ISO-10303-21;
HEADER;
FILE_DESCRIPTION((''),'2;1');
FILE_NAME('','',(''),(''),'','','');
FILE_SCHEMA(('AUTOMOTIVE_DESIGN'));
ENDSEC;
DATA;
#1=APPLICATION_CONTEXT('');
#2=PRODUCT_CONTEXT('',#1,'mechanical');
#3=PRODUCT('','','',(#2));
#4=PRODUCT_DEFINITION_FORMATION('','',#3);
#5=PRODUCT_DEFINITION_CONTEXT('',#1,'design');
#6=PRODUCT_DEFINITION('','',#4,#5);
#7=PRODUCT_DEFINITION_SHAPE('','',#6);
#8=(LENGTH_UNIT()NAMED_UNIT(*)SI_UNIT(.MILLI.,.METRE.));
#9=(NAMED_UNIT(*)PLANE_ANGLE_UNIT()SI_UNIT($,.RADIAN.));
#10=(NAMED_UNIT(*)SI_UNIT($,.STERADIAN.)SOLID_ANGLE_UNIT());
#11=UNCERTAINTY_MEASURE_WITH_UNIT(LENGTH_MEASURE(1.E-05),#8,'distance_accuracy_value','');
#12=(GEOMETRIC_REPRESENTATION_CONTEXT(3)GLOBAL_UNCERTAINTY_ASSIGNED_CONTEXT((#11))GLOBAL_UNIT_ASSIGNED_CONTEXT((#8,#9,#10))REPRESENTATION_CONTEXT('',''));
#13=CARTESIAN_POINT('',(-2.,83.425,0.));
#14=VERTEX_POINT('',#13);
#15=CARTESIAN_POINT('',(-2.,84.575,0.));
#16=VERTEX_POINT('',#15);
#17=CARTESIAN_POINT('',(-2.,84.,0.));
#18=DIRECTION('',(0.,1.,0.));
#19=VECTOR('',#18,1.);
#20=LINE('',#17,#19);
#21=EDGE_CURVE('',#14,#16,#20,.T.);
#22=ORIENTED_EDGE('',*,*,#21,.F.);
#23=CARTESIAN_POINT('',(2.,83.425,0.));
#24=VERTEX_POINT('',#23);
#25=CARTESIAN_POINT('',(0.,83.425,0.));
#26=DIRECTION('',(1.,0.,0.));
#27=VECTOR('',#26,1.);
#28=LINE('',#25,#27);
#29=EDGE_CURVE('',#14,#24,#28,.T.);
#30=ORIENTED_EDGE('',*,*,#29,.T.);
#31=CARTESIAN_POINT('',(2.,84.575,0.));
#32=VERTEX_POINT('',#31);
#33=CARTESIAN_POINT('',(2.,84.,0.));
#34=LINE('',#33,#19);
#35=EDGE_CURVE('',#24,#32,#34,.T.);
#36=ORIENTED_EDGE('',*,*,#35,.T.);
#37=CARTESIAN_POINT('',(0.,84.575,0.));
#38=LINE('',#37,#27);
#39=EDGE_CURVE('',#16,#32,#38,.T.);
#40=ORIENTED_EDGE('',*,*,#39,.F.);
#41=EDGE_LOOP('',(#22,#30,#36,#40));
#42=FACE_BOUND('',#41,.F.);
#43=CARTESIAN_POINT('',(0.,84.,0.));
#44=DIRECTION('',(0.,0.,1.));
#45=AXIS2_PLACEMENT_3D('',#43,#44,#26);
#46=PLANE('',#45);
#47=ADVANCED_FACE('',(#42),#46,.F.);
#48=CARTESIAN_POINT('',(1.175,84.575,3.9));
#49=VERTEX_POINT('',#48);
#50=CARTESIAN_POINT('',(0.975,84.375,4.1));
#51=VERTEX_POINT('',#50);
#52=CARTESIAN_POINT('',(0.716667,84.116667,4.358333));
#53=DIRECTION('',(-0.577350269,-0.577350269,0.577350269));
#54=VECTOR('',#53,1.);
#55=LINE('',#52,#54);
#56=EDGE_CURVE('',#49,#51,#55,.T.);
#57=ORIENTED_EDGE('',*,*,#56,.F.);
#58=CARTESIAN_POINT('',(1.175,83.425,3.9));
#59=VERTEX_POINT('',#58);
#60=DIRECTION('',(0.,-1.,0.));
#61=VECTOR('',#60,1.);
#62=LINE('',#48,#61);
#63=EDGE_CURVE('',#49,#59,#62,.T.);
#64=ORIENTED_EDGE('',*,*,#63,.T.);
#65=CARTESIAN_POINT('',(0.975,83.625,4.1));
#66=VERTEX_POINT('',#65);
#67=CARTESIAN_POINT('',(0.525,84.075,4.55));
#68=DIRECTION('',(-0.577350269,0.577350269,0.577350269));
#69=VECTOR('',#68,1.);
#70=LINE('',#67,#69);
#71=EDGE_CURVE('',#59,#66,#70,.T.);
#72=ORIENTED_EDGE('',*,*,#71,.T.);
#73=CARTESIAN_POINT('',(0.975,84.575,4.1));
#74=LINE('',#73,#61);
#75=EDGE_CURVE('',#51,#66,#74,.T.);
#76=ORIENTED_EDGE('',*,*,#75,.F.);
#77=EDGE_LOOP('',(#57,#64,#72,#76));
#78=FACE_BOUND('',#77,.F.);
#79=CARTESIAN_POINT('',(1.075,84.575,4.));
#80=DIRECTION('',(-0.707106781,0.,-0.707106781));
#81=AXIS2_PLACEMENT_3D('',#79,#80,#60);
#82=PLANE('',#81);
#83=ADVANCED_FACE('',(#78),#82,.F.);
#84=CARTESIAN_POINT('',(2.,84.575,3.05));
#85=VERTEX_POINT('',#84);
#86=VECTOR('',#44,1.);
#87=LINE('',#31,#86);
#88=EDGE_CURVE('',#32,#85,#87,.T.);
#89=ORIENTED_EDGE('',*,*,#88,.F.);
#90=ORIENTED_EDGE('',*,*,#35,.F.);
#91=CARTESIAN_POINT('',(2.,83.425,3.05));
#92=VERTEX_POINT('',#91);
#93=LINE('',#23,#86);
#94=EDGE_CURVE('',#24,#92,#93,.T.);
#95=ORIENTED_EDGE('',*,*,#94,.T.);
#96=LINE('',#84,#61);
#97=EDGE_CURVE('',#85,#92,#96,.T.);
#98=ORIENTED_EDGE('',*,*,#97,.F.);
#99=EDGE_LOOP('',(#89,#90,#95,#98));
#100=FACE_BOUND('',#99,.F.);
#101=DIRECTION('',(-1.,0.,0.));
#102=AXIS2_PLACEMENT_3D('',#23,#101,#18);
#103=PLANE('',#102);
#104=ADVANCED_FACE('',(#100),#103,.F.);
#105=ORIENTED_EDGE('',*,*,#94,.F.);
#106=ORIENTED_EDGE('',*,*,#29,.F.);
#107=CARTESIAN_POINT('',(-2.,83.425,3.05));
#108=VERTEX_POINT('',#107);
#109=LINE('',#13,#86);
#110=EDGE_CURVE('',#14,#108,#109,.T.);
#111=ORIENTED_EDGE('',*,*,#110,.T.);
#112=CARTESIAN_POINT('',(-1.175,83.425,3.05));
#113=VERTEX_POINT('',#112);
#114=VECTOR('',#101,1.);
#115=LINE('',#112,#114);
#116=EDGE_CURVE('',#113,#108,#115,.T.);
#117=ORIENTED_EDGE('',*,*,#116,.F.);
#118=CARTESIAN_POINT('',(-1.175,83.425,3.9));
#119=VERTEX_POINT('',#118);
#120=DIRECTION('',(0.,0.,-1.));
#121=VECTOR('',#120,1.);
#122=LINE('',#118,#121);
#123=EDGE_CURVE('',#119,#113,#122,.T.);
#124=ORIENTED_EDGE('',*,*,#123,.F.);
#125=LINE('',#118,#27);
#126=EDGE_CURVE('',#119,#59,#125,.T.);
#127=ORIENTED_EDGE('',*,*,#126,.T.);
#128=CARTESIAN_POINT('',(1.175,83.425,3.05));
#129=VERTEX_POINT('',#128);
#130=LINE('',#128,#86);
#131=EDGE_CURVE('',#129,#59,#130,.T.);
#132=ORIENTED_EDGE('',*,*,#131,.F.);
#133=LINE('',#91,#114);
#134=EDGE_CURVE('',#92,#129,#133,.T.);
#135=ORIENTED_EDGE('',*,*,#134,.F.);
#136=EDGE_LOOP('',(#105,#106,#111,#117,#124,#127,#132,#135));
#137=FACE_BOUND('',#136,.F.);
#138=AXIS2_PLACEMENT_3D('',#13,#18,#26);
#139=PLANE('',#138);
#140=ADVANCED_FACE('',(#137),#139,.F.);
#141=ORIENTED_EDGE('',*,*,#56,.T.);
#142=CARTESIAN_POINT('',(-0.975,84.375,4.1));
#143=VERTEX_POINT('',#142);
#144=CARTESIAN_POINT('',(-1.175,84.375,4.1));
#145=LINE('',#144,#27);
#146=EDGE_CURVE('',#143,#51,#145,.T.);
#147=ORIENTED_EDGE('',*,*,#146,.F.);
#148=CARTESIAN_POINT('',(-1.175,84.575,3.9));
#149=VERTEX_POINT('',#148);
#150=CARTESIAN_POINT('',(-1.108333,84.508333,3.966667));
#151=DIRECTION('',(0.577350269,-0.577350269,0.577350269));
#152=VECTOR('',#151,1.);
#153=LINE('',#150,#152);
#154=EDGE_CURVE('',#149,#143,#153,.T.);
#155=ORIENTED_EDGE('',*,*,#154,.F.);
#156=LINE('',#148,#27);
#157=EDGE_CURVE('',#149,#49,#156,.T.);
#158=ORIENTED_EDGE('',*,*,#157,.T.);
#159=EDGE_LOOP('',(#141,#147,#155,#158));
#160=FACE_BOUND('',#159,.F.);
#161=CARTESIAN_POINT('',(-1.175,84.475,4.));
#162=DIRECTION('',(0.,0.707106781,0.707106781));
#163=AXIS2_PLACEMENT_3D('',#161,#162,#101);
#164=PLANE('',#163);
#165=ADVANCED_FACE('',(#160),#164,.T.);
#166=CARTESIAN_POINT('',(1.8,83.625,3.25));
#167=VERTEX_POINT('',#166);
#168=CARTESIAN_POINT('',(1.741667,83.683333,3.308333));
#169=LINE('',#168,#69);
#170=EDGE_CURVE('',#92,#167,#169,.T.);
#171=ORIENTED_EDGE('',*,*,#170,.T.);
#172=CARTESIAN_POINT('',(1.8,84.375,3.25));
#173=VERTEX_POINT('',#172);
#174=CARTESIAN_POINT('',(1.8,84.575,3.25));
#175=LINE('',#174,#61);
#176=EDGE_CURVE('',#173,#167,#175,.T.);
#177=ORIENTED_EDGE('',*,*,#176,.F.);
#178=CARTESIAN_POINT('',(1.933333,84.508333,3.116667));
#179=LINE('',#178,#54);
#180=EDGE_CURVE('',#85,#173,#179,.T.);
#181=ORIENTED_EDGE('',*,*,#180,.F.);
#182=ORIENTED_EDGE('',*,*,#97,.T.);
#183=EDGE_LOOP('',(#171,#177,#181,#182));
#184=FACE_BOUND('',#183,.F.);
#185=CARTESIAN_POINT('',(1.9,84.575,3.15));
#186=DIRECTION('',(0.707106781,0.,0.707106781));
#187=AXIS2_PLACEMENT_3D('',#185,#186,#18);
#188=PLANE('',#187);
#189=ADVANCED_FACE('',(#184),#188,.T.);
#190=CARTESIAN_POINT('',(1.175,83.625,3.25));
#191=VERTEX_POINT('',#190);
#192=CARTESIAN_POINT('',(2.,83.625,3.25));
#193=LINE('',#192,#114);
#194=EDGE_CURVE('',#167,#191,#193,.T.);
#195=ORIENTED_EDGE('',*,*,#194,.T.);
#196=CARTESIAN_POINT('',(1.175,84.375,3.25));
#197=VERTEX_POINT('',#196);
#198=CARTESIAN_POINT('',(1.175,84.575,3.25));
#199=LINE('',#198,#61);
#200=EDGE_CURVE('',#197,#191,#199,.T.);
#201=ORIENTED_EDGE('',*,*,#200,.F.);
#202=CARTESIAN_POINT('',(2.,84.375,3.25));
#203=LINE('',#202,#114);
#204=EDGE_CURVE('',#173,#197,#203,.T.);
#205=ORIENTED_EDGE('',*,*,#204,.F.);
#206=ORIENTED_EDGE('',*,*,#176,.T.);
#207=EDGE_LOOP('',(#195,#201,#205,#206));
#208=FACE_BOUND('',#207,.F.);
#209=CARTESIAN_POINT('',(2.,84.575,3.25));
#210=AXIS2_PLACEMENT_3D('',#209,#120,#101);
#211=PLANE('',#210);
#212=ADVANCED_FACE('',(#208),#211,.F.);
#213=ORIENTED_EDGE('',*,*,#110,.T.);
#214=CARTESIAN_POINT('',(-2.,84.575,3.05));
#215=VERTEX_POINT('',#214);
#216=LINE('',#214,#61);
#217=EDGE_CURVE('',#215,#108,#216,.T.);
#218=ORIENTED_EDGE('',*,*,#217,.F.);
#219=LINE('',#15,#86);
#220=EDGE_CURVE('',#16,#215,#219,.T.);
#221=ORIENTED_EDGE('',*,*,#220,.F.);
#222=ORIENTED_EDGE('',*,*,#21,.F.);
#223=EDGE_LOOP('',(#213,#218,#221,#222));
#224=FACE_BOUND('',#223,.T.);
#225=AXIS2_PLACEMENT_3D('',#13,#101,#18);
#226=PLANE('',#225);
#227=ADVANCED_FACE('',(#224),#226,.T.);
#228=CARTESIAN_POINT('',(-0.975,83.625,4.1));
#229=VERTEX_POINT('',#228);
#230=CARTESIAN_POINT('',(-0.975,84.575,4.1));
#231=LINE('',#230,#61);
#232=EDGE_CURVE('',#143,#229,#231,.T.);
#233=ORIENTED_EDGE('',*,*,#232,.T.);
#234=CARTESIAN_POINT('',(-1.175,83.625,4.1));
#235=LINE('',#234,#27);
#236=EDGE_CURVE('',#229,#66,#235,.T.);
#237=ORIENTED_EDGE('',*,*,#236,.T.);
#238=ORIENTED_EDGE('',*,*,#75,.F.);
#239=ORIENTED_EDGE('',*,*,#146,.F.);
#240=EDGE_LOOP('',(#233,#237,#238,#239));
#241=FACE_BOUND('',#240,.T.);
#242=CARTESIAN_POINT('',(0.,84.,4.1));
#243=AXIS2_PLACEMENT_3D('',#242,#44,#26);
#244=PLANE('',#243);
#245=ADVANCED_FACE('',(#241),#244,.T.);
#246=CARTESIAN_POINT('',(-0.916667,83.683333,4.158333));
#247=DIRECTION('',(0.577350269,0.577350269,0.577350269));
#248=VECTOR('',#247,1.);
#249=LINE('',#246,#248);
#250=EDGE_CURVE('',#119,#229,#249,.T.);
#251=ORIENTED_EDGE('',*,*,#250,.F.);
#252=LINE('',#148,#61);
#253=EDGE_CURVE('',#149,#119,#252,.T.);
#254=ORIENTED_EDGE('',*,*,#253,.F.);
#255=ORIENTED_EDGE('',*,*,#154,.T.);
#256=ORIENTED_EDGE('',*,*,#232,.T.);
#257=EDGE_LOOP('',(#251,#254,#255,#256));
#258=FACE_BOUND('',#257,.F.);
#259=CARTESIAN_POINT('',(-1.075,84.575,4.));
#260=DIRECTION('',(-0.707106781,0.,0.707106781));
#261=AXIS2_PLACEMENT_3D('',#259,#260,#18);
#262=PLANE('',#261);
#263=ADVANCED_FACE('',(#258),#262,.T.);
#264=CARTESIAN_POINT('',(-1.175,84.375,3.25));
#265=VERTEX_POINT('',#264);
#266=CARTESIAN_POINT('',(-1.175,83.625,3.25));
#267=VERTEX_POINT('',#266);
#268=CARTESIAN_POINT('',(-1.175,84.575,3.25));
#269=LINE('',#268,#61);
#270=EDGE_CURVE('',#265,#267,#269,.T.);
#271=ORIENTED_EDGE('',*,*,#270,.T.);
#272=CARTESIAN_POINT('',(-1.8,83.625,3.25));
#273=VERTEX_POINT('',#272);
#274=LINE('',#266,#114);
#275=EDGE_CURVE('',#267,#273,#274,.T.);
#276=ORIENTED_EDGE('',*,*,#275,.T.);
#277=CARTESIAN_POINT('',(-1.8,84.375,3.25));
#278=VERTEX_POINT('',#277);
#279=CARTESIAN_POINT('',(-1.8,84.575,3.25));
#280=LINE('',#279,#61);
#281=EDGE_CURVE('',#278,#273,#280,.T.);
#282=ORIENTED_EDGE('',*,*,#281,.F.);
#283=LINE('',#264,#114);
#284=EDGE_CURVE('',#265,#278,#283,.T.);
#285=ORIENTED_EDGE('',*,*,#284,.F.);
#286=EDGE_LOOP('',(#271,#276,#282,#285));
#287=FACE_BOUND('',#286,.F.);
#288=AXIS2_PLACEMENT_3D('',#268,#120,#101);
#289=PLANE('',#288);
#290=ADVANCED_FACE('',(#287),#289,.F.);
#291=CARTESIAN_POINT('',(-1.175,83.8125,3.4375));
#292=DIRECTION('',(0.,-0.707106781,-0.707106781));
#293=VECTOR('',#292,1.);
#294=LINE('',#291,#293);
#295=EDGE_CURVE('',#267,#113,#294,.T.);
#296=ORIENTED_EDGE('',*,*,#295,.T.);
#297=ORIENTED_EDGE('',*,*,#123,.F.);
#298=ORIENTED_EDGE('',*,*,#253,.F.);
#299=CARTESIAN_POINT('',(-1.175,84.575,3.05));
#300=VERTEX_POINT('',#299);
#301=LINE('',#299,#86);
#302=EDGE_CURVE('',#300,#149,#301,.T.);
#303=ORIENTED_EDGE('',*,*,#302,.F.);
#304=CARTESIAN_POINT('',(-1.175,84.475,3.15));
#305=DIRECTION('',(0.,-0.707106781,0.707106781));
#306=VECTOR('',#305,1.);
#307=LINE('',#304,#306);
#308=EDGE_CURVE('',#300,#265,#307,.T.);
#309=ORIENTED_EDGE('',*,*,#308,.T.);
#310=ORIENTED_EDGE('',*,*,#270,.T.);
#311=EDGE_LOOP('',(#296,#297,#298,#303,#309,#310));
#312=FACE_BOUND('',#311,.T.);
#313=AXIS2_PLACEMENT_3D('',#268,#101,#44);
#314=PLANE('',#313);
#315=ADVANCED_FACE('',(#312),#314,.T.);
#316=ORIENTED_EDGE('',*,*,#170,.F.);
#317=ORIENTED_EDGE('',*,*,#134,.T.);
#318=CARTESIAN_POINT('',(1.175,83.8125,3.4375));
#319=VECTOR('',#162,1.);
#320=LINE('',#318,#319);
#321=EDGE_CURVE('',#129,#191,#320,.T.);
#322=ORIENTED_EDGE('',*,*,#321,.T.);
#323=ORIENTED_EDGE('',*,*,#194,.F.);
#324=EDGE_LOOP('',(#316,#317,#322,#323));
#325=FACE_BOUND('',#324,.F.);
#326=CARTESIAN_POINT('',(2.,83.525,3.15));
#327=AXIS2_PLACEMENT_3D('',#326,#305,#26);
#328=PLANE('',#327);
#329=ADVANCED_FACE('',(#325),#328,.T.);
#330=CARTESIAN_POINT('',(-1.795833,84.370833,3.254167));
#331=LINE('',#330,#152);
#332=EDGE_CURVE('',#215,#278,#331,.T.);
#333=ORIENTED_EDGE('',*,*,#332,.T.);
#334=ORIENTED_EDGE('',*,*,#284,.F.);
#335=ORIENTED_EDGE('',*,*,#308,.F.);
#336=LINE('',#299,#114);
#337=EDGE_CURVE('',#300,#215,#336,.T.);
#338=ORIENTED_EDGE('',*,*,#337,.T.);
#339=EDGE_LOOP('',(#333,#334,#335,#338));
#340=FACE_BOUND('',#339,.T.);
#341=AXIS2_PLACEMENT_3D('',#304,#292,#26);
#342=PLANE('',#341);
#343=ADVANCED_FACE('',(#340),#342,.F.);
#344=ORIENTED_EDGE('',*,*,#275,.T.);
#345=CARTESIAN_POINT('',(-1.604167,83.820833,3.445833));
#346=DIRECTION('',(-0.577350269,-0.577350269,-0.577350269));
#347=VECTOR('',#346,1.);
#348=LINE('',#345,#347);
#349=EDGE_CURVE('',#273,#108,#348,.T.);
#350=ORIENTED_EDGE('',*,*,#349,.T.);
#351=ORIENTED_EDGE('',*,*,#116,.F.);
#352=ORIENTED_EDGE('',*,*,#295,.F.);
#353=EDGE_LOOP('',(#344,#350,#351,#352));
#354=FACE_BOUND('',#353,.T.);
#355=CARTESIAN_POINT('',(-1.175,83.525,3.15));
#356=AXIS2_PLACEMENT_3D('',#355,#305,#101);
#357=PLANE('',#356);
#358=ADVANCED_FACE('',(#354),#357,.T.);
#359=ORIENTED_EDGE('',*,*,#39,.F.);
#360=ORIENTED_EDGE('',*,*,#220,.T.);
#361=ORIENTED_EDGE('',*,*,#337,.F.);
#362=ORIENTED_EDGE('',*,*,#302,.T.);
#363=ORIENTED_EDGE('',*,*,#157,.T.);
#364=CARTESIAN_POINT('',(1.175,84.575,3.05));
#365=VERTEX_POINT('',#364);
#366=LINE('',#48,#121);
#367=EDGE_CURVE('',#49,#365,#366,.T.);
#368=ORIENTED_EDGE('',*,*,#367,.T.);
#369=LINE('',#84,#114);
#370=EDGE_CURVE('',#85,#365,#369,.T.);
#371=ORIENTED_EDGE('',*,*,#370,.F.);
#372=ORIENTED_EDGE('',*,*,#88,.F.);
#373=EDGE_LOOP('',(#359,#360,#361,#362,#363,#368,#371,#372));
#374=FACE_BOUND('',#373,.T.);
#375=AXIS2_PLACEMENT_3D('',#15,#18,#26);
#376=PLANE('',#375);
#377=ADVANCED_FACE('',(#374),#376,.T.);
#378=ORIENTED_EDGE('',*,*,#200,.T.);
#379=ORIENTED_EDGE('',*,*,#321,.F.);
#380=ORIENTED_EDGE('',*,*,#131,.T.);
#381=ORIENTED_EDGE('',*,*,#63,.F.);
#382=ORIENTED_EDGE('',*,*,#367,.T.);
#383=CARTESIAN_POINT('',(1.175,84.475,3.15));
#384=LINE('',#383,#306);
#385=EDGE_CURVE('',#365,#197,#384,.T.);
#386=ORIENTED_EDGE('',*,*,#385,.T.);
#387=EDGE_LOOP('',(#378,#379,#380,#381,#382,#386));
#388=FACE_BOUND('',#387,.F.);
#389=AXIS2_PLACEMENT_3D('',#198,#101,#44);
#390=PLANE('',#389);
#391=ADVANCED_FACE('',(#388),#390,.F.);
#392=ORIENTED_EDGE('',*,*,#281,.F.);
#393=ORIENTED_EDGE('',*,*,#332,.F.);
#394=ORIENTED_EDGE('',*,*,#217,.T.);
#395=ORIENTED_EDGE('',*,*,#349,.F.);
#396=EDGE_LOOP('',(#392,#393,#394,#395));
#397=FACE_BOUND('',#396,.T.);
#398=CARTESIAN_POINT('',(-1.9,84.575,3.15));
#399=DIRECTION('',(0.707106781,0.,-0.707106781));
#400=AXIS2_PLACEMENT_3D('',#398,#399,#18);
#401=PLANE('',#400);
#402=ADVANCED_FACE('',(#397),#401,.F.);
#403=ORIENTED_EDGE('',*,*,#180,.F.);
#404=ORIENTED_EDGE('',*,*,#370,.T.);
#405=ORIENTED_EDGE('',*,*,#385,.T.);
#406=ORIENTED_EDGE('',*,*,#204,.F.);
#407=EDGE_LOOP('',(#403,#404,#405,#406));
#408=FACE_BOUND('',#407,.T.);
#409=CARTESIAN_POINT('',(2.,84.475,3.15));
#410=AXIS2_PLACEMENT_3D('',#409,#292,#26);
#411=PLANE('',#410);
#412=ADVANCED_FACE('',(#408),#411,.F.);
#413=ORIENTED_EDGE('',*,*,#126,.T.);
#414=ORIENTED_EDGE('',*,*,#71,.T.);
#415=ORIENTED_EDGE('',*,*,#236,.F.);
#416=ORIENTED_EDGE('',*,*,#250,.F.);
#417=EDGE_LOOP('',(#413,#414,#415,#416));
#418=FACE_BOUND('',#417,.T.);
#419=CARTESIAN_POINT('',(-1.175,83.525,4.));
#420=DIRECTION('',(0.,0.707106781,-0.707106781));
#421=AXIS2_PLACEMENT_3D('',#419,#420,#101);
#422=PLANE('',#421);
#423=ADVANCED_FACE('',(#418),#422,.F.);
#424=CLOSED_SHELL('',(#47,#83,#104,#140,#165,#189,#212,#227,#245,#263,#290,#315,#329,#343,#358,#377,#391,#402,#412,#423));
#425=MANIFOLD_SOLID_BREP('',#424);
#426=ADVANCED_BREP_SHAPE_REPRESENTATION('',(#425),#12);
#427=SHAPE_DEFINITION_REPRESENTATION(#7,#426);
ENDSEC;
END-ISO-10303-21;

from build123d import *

# Parameters (mm, degrees)
SKETCH008_W     = 4
SKETCH008_H     = 1.15
PAD005_DEPTH    = 4.1
SKETCH009_W     = 0.825
SKETCH009_H     = 0.85
POCKET002_DEPTH = 5
CHAMFER005_SIZE = 0.2


with BuildPart() as part:
    # Sketch008 → Pad005 (new body)
    with BuildSketch(Plane.XY):
        Rectangle(SKETCH008_W, SKETCH008_H)
    extrude(amount=PAD005_DEPTH)

    # Sketch009 (on Face1 of Pad005) → Pocket002 (cut)
    with BuildSketch(Plane(origin=(0, 0.575, 0), x_dir=(-1, 0, 0), z_dir=(0, 1, 0))):
        with Locations((-1.5875, 3.675)):
            Rectangle(SKETCH009_W, SKETCH009_H)
        with Locations((1.5875, 3.675)):
            Rectangle(SKETCH009_W, SKETCH009_H)
    extrude(amount=-POCKET002_DEPTH, mode=Mode.SUBTRACT)

    # Chamfer005
    chamfer005_edges = [part.edges().sort_by_distance(p)[0] for p in [
        (0, 0.575, 4.1),
        (0, -0.575, 4.1),
        (1.5875, 0.575, 3.25),
        (-1.5875, 0.575, 3.25),
        (-1.5875, -0.575, 3.25),
        (1.5875, -0.575, 3.25),
        (2, 0, 3.25),
        (-2, 0, 3.25),
        (1.175, 0, 4.1),
        (-1.175, 0, 4.1),
    ]]
    chamfer(chamfer005_edges, length=CHAMFER005_SIZE)


with BuildPart() as part_1:
    # Body048 placement: moved
    add(part.part.moved(Location((0, 84, 0))))


solid = part_1.part
